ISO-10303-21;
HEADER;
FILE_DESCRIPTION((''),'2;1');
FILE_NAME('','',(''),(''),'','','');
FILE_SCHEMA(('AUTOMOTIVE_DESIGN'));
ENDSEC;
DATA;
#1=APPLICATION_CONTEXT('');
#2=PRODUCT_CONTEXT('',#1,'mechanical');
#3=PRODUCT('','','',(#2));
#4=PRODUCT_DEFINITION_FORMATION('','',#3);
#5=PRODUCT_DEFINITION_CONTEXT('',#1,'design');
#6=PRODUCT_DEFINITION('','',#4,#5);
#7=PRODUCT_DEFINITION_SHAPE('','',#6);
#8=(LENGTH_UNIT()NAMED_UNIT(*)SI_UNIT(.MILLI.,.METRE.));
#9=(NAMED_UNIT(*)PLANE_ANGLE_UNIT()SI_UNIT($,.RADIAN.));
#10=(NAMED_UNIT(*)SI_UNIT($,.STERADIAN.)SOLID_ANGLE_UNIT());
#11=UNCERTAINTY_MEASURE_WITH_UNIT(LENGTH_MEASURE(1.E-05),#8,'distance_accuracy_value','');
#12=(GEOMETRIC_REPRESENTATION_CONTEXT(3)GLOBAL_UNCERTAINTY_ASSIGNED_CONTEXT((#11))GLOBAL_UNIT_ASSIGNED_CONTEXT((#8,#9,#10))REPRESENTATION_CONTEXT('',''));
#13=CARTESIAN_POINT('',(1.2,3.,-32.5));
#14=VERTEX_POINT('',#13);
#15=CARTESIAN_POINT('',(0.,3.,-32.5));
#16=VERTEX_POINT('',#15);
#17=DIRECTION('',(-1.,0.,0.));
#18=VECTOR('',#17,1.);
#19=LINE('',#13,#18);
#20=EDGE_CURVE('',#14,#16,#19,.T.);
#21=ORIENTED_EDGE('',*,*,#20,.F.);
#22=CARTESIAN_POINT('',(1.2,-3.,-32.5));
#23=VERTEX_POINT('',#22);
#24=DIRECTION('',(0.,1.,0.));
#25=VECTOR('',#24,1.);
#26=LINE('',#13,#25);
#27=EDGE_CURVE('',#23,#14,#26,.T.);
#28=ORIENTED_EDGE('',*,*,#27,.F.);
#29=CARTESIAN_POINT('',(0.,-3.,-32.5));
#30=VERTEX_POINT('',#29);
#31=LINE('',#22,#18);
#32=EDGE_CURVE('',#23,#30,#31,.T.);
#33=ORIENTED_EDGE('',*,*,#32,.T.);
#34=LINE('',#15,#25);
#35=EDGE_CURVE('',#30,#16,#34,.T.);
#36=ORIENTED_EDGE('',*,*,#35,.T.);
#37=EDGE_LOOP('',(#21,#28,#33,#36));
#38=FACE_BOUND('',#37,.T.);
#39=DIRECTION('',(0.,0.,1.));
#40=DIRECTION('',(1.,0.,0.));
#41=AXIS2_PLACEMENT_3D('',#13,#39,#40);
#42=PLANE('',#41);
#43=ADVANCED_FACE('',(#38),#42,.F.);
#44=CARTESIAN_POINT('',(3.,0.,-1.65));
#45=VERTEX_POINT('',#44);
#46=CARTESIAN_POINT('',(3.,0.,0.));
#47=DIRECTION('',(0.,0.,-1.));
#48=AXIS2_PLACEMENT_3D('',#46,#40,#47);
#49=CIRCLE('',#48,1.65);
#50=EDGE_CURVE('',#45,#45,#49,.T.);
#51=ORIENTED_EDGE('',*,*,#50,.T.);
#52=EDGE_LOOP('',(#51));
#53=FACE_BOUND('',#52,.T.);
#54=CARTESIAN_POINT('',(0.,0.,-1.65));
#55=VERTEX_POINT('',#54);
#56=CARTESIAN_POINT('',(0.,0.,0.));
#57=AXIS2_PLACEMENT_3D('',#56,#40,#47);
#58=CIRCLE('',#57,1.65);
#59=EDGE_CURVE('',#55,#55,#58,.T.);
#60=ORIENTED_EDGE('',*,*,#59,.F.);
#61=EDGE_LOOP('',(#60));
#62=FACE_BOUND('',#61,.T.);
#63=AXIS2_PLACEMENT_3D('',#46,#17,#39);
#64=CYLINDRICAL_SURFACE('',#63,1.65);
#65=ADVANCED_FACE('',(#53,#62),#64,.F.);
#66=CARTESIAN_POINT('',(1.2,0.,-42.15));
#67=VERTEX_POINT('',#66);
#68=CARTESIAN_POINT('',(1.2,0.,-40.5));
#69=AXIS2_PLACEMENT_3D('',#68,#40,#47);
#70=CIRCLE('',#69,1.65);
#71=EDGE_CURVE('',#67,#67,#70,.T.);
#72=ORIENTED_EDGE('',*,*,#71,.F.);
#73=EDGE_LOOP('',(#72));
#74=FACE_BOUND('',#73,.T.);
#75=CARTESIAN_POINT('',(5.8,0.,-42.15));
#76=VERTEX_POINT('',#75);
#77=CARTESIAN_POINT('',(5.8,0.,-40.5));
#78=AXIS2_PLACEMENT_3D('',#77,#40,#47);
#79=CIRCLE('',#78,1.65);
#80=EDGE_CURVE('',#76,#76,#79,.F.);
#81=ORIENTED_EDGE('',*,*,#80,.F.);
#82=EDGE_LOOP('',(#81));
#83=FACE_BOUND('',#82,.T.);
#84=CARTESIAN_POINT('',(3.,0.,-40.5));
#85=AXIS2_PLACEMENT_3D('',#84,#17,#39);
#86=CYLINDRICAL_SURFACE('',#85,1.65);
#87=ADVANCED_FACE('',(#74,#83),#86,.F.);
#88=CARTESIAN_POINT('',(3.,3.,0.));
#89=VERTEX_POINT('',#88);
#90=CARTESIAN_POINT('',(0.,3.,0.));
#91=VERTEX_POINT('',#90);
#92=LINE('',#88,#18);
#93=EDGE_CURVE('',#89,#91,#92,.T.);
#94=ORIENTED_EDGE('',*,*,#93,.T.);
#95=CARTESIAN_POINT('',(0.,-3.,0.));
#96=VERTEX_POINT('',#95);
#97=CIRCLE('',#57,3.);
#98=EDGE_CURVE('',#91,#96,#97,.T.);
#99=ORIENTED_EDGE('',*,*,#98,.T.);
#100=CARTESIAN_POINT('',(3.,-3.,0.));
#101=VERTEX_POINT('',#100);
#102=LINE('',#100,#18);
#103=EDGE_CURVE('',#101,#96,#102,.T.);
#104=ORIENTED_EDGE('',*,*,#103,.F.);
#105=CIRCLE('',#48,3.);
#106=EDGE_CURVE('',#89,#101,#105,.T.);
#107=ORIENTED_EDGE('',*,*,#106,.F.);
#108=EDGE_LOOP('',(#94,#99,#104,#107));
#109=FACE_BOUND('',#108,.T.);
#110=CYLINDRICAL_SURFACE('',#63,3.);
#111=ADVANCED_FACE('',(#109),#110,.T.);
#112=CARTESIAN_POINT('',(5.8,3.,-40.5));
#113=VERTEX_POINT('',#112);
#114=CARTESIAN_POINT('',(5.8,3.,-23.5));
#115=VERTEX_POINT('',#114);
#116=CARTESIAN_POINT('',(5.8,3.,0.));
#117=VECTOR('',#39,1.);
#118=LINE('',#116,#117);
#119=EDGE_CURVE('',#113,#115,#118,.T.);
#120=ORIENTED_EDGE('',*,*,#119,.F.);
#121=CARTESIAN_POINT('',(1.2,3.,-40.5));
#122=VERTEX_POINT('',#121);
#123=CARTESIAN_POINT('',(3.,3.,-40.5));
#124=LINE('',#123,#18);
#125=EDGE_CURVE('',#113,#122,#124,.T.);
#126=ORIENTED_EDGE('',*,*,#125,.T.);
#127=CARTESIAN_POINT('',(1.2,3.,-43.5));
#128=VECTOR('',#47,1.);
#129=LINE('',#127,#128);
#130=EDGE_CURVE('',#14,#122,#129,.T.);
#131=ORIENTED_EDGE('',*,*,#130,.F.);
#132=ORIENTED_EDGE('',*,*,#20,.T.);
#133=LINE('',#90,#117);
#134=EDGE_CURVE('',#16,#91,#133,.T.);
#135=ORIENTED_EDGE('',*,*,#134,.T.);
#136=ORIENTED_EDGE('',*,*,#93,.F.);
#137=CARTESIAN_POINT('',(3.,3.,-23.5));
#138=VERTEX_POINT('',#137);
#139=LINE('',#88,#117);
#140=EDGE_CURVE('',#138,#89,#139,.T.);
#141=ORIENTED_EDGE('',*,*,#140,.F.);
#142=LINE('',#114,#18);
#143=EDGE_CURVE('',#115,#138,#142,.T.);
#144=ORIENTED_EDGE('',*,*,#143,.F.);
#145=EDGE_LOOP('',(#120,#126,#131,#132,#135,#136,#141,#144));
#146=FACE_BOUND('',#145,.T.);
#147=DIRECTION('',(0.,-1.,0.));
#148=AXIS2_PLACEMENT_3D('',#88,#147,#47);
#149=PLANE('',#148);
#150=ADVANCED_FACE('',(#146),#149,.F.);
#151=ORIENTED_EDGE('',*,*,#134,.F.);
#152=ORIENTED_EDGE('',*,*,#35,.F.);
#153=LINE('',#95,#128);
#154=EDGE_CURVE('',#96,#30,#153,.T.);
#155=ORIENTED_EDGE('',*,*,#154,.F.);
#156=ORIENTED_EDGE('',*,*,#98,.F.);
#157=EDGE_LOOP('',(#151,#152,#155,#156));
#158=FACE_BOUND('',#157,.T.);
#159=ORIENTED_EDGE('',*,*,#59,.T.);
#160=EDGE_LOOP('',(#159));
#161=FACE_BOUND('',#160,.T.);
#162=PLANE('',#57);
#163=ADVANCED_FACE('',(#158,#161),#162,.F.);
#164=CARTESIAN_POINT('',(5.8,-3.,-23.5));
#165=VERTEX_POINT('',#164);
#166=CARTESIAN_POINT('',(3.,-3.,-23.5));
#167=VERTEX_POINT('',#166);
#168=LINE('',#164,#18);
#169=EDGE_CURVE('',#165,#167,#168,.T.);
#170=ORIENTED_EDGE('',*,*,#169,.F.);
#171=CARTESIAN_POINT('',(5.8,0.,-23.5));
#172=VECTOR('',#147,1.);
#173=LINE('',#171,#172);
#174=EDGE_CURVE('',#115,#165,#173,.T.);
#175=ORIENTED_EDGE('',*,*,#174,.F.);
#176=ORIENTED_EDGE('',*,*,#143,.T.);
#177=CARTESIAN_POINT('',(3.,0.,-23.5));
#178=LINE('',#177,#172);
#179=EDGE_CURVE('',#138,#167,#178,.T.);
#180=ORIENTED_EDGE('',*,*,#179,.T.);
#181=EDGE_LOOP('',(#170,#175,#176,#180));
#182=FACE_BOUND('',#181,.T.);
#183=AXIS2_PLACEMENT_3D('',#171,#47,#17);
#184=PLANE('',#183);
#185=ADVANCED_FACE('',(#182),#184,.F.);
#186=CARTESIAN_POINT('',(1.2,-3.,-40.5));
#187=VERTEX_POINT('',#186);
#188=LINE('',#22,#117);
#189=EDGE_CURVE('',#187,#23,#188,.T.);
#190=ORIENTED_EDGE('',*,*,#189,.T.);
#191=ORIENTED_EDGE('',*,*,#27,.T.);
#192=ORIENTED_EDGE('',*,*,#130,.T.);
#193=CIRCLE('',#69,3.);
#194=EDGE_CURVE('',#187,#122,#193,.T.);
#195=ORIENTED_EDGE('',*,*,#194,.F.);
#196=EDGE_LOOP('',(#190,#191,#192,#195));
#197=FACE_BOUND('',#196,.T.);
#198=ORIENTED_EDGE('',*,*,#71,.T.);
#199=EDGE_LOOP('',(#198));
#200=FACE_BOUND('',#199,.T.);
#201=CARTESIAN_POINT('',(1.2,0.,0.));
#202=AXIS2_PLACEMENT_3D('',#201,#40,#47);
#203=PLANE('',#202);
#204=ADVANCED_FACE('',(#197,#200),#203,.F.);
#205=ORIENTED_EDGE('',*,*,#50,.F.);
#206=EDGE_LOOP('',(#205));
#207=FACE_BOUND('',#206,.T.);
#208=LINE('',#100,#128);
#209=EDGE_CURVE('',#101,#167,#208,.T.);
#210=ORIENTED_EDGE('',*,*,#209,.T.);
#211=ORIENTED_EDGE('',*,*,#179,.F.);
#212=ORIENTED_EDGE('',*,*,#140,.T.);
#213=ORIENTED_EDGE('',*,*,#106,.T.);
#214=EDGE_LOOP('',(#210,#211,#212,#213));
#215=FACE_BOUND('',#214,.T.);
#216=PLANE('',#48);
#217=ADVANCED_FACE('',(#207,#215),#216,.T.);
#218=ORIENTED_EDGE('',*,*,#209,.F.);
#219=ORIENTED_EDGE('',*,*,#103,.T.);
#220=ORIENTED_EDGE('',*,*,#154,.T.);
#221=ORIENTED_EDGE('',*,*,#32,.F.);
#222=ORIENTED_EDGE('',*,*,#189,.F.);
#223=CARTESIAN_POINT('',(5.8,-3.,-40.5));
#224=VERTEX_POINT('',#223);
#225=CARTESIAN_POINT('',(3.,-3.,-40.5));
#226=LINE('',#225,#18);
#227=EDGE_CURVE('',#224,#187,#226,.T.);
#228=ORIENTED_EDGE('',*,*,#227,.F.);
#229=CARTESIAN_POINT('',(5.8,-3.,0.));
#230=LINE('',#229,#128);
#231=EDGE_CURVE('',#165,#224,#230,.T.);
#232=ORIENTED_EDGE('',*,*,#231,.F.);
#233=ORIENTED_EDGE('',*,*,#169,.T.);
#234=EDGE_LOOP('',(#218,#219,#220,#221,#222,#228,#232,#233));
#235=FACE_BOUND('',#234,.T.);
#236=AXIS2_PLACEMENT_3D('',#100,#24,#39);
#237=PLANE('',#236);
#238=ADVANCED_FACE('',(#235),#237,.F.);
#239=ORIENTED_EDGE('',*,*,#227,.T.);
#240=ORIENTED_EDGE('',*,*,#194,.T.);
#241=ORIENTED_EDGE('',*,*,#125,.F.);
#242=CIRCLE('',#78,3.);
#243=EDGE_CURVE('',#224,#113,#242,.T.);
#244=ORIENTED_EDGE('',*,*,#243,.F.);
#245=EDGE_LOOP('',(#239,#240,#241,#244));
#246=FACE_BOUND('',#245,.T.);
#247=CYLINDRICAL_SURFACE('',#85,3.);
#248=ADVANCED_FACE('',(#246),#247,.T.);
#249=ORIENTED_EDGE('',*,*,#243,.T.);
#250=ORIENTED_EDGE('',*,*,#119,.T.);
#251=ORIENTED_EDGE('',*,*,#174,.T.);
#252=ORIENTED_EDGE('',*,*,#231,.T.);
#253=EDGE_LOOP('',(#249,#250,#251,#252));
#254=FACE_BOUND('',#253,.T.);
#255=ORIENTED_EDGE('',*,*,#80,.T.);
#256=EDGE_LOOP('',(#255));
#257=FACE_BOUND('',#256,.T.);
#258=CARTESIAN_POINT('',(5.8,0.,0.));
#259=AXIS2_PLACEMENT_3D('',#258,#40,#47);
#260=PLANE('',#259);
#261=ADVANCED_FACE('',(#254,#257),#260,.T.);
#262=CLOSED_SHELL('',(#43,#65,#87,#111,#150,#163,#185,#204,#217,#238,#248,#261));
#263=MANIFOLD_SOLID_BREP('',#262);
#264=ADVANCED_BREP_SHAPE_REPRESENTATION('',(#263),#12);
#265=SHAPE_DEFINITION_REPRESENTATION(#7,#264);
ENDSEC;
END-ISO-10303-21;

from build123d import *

# Parameters (mm, degrees)
SKETCH1_R           = 1.65
BOSS_EXTRUDE1_DEPTH = 3
SKETCH3_W           = 11
SKETCH3_H           = 6
CUT_EXTRUDE2_DEPTH  = 1.2
SKETCH4_R           = 1.65
BOSS_EXTRUDE2_DEPTH = 2.8


with BuildPart() as part:
    # Sketch1 → Boss-Extrude1 (new body)
    with BuildSketch(Plane(origin=(0, 0, 0), x_dir=(0, 0, -1), z_dir=(1, 0, 0))):
        with BuildLine():
            Line((0, 3), (40.5, 3))
            ThreePointArc((40.5, 3), (43.5, 0), (40.5, -3))
            Line((40.5, -3), (0, -3))
            ThreePointArc((0, -3), (-3, 0), (0, 3))
        make_face()
        Circle(SKETCH1_R, mode=Mode.SUBTRACT)
        with Locations((40.5, 0)):
            Circle(SKETCH1_R, mode=Mode.SUBTRACT)
    extrude(amount=BOSS_EXTRUDE1_DEPTH)

    # Sketch3 → Cut-Extrude2 (cut)
    with BuildSketch(Plane.ZY):
        with Locations((-38, 0)):
            Rectangle(SKETCH3_W, SKETCH3_H)
    extrude(amount=-CUT_EXTRUDE2_DEPTH, mode=Mode.SUBTRACT)

    # Sketch4 → Boss-Extrude2 (add)
    with BuildSketch(Plane(origin=(3, 0, 0), x_dir=(0, 0, -1), z_dir=(1, 0, 0))):
        with BuildLine():
            Line((40.5, 3), (23.5, 3))
            Line((23.5, 3), (23.5, -3))
            Line((23.5, -3), (40.5, -3))
            ThreePointArc((40.5, -3), (43.5, 0), (40.5, 3))
        make_face()
        with Locations((40.5, 0)):
            Circle(SKETCH4_R, mode=Mode.SUBTRACT)
    extrude(amount=BOSS_EXTRUDE2_DEPTH)


solid = part.part
